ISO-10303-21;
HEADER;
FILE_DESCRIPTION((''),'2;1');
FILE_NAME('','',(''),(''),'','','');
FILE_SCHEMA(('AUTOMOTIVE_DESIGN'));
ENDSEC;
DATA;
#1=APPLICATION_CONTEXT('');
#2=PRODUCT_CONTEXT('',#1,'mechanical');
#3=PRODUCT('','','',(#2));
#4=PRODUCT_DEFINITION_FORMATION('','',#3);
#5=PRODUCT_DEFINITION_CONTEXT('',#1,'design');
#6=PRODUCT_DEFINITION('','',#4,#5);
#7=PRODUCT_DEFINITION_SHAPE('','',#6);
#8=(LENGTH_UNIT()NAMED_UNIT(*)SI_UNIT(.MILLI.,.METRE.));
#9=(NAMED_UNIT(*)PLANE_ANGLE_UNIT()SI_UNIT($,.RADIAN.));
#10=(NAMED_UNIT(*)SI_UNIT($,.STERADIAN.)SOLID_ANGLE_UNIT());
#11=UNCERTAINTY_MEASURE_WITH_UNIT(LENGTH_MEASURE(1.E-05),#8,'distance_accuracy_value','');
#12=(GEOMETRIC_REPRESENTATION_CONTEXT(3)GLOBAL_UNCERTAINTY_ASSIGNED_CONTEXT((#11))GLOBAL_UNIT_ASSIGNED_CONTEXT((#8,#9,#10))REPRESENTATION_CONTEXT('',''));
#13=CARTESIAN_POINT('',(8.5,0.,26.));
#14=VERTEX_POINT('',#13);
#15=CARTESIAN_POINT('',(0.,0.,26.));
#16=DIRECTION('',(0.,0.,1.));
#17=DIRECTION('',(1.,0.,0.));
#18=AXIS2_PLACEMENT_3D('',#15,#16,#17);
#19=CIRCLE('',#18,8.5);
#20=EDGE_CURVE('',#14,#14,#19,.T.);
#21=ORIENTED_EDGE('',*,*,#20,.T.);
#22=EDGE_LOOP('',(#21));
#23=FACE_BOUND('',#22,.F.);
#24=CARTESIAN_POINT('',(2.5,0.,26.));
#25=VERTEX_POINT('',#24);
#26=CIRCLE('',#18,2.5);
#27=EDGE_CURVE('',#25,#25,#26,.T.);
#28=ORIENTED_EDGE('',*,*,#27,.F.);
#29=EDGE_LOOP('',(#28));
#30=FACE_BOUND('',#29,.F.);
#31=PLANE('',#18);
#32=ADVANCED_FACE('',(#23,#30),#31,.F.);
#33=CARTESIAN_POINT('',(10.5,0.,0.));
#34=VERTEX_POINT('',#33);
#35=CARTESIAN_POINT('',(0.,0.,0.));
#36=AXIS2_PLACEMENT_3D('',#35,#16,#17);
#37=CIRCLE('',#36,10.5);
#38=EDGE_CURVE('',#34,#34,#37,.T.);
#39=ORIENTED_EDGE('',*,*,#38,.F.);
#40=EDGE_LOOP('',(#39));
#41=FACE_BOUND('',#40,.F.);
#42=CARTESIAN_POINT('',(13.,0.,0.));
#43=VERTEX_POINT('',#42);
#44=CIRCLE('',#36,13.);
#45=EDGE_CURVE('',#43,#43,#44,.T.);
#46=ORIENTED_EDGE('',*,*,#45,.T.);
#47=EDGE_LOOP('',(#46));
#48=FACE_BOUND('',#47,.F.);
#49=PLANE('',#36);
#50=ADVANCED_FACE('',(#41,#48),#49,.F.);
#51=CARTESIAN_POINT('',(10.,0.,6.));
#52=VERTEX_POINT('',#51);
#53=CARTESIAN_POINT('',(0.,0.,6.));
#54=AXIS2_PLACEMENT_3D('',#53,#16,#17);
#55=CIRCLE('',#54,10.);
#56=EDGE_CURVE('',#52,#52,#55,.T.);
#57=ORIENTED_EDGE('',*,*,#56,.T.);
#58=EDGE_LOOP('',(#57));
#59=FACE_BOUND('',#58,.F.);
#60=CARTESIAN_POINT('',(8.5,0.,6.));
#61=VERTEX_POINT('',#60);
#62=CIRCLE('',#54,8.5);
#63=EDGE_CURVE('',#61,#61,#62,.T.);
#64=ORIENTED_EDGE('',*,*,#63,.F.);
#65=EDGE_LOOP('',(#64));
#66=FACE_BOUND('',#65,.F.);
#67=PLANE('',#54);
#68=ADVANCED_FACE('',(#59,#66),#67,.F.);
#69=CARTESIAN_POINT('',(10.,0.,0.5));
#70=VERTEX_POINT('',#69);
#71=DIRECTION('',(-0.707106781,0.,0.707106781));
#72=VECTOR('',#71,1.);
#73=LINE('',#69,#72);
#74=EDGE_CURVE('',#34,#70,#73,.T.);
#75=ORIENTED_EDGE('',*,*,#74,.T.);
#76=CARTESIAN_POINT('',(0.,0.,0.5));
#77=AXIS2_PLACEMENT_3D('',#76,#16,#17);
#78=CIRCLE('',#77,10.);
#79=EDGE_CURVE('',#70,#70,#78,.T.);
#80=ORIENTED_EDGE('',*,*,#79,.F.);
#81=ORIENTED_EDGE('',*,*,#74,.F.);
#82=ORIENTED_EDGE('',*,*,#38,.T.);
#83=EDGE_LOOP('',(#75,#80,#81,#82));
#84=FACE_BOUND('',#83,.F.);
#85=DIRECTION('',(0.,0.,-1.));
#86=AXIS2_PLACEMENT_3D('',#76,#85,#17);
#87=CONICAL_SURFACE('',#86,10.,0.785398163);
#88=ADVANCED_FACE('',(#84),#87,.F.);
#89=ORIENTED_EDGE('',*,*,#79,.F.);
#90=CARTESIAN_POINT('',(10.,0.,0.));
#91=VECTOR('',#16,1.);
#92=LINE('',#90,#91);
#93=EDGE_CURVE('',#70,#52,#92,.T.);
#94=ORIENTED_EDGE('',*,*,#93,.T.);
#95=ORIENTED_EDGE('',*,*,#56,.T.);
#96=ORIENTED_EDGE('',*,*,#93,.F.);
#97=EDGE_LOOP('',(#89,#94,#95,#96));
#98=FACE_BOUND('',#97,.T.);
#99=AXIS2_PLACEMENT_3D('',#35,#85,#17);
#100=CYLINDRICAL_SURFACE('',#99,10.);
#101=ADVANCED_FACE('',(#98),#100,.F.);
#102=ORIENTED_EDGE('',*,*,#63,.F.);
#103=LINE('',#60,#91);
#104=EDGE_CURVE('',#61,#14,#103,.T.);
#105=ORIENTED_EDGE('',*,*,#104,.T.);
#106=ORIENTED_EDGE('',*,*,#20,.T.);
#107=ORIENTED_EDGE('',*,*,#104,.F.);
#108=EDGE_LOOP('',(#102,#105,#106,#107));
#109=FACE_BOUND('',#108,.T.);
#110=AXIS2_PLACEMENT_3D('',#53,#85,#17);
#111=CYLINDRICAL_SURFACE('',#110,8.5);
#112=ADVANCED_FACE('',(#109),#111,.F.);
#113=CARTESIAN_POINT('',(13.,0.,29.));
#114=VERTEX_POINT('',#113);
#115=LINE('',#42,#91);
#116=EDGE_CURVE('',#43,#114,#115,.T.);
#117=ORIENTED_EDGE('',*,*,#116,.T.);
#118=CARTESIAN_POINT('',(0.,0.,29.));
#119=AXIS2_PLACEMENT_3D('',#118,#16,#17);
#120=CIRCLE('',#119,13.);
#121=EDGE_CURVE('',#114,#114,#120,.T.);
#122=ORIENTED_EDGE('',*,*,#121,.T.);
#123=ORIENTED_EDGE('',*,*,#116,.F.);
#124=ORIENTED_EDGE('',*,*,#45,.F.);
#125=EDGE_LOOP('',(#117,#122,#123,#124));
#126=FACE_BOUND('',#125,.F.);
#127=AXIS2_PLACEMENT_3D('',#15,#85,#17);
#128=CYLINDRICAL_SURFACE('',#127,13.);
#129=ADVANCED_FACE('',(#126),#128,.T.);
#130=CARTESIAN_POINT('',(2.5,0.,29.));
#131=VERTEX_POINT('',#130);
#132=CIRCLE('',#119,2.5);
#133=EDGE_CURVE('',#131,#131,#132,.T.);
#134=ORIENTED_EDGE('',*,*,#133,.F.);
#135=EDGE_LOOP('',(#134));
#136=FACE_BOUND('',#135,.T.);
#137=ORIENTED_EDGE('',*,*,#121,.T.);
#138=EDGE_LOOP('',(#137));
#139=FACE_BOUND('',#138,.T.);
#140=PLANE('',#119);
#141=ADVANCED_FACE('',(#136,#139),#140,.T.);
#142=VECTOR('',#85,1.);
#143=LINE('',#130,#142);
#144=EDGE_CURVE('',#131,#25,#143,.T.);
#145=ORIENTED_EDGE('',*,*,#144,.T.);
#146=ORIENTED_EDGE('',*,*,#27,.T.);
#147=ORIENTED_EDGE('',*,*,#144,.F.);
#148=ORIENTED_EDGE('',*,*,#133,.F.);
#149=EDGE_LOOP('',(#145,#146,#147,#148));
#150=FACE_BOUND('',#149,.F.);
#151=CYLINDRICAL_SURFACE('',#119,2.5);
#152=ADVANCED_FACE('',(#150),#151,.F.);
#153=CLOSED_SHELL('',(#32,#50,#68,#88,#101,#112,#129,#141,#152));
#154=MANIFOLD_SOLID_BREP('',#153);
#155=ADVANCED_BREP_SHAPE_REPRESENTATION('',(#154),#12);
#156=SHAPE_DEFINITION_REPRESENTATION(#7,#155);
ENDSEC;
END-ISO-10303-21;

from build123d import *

# Parameters (mm, degrees)
SKETCH_R      = 13
SKETCH_R_2    = 10
PAD_DEPTH     = 6
SKETCH001_R   = 13
SKETCH001_R_2 = 8.5
PAD001_DEPTH  = 20
SKETCH002_R   = 13
PAD002_DEPTH  = 3
SKETCH003_R   = 2.5
POCKET_DEPTH  = 29.001
CHAMFER_SIZE  = 0.5


with BuildPart() as part:
    # Sketch → Pad (new body)
    with BuildSketch(Plane.XY):
        Circle(SKETCH_R)
        Circle(SKETCH_R_2, mode=Mode.SUBTRACT)
    extrude(amount=PAD_DEPTH)

    # Sketch001 (on Face4 of Pad) → Pad001 (join)
    with BuildSketch(Plane.XY.offset(6)):
        Circle(SKETCH001_R)
        Circle(SKETCH001_R_2, mode=Mode.SUBTRACT)
    extrude(amount=PAD001_DEPTH)

    # Sketch002 (on Face5 of Pad001) → Pad002 (join)
    with BuildSketch(Plane.XY.offset(26)):
        Circle(SKETCH002_R)
    extrude(amount=PAD002_DEPTH)

    # Sketch003 (on Face7 of Pad002) → Pocket (cut, through all)
    with BuildSketch(Plane.XY.offset(29)):
        Circle(SKETCH003_R)
    extrude(amount=-POCKET_DEPTH, mode=Mode.SUBTRACT)

    # Chamfer
    chamfer_edges = [part.edges().sort_by_distance(p)[0] for p in [
        (-10, 0, 0),
    ]]
    chamfer(chamfer_edges, length=CHAMFER_SIZE)


solid = part.part
